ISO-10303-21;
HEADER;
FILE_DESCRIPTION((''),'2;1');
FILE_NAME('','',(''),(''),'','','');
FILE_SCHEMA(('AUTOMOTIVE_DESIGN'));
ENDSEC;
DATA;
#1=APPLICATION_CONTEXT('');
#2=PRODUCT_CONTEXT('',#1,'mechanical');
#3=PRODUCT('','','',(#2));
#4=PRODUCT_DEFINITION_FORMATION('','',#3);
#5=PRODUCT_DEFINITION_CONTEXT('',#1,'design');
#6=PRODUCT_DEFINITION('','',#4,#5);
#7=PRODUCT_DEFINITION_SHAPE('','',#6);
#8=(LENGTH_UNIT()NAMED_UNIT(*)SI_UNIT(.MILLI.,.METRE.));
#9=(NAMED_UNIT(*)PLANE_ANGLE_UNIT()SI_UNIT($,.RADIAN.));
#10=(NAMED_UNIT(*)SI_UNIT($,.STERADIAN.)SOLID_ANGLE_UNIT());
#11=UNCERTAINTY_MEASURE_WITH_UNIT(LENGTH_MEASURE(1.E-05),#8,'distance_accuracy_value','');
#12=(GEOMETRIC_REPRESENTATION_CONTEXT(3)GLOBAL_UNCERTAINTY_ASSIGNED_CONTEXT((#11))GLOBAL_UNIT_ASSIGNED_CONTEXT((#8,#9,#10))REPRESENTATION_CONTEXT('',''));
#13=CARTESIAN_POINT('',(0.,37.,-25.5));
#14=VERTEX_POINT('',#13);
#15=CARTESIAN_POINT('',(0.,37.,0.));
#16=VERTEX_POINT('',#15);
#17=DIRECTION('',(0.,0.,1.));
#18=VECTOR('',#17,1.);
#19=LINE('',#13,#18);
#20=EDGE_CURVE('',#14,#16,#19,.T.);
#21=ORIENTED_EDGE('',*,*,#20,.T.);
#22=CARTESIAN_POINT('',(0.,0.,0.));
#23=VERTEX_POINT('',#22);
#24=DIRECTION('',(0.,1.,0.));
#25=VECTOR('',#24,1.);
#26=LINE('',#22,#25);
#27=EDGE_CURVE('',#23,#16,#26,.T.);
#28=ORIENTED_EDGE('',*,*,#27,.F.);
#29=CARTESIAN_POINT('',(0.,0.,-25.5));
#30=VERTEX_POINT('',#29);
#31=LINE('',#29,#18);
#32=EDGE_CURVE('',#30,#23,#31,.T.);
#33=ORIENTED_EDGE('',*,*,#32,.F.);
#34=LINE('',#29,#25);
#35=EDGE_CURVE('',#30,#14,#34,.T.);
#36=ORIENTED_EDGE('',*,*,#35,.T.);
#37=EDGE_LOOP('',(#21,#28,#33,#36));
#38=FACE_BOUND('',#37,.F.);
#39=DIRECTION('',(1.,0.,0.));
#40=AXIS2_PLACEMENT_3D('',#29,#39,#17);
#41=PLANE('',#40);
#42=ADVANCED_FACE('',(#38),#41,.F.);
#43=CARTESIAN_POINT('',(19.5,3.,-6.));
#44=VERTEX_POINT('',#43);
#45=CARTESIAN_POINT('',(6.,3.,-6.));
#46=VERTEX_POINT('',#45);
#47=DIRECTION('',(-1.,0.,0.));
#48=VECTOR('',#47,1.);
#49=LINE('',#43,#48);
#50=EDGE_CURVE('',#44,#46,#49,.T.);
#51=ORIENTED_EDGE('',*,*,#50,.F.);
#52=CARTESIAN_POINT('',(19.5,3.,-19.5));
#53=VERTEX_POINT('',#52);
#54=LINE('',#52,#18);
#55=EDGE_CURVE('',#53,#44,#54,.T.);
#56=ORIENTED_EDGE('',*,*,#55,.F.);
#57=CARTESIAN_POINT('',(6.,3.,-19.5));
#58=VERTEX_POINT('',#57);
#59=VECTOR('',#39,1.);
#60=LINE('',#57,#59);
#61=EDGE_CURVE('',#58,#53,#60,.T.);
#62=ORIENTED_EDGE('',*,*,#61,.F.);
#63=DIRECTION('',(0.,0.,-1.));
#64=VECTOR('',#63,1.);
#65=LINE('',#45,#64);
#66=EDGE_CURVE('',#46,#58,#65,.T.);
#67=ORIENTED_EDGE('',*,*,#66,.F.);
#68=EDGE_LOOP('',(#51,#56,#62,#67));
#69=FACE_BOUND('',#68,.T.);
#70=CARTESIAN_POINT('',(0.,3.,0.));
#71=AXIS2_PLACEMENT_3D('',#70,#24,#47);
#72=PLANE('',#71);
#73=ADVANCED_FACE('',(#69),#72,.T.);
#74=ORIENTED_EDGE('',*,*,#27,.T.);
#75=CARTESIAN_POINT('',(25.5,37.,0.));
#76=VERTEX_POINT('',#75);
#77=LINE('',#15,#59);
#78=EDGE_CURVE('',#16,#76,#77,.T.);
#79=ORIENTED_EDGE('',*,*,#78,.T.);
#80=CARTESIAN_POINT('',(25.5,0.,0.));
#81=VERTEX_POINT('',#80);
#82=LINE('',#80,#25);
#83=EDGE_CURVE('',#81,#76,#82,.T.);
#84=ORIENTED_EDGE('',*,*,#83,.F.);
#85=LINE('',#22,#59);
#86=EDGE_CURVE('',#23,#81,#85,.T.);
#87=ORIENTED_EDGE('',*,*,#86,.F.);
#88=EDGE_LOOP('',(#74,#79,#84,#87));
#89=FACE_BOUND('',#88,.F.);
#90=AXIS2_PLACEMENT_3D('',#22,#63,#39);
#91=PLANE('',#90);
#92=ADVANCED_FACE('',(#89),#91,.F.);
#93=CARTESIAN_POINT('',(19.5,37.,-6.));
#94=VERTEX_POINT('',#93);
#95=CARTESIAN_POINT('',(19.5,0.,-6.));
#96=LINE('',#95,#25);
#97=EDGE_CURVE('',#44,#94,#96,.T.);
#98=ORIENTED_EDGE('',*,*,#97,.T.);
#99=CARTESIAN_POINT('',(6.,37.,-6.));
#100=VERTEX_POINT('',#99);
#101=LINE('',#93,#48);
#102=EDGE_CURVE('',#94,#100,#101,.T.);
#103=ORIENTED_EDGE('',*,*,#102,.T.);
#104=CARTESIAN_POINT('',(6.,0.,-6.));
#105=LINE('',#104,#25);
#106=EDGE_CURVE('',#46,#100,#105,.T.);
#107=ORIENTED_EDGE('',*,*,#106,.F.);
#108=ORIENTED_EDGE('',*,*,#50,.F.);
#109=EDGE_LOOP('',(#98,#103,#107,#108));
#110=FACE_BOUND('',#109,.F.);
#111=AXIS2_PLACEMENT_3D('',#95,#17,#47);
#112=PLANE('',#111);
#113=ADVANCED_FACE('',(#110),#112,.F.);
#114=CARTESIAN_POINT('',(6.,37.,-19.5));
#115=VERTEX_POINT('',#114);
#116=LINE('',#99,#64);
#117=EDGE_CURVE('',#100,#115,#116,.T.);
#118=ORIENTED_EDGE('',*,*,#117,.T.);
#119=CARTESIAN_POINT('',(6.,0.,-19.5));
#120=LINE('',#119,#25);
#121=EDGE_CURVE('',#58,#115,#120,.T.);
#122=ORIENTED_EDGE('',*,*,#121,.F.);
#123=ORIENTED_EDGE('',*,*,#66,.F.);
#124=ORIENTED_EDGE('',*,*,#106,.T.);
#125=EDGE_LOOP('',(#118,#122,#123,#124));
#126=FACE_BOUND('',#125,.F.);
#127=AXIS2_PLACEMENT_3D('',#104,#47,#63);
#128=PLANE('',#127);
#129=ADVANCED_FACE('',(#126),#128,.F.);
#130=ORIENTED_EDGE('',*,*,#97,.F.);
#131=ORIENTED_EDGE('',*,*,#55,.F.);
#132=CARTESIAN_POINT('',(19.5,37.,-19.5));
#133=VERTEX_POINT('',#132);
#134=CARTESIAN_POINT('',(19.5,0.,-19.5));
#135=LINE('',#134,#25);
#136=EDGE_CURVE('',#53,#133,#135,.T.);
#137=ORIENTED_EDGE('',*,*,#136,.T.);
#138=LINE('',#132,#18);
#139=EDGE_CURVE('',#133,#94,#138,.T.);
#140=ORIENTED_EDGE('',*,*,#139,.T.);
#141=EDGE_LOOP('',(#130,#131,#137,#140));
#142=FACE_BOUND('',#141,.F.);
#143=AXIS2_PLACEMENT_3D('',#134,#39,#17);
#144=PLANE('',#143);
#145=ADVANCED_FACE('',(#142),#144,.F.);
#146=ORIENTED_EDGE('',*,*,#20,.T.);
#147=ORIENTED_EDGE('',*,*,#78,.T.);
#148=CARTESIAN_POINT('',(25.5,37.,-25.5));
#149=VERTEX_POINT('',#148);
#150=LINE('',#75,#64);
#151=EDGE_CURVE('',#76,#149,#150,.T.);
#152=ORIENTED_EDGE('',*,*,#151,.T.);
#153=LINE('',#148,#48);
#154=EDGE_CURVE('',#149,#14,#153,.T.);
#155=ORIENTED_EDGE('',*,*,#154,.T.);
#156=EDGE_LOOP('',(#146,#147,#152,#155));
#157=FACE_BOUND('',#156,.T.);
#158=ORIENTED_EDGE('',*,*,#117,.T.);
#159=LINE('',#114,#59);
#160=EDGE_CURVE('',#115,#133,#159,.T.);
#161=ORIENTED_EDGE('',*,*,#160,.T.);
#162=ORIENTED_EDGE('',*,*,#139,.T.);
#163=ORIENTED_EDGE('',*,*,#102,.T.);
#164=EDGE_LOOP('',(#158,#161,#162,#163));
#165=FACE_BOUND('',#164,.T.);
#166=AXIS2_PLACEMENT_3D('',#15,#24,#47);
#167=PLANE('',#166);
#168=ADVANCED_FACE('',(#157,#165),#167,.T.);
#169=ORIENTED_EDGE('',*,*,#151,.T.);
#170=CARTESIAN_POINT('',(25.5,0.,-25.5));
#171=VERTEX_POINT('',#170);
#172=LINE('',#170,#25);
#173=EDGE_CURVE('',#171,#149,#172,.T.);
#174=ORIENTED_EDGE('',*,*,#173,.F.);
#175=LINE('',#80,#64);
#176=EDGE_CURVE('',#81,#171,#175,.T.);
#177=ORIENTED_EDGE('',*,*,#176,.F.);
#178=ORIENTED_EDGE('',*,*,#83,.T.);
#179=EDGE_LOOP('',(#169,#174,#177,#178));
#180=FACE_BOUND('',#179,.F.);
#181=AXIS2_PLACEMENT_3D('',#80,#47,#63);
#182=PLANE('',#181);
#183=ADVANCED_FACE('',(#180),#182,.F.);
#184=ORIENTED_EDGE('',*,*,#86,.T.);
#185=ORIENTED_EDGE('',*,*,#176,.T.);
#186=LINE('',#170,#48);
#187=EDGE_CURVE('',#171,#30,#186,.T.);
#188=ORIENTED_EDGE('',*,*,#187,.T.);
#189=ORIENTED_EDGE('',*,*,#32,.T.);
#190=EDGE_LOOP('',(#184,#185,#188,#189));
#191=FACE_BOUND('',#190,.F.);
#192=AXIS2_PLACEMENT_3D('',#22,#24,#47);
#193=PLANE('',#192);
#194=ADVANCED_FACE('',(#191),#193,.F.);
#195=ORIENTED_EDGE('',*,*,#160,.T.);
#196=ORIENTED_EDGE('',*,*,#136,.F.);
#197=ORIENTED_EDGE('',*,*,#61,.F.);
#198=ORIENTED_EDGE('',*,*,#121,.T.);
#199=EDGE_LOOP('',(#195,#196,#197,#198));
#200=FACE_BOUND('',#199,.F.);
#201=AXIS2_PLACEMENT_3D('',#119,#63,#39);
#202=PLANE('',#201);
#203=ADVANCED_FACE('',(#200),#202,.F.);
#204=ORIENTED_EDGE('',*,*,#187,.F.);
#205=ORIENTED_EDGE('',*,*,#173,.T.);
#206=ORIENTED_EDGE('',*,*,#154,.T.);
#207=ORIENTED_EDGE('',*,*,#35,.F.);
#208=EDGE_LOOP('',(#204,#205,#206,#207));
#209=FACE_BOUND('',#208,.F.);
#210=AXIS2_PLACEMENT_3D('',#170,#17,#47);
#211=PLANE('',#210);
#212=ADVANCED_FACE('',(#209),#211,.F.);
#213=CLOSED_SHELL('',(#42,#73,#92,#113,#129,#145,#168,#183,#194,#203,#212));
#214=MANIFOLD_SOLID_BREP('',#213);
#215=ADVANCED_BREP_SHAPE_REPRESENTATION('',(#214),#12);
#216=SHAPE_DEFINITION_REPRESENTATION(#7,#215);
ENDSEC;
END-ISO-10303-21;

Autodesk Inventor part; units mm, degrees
ref_plane "YZ Plane" through (0, 0, 0) normal (1, 0, 0) x (0, 1, 0)
ref_plane "XZ Plane" through (0, 0, 0) normal (0, 1, 0) x (-1, 0, 0)
ref_plane "XY Plane" through (0, 0, 0) normal (0, 0, 1) x (1, 0, 0)
sketch "Esboço1" plane through (0, 0, 0) normal (0, 1, 0) x (-1, 0, 0)
  line L0 (0, 0) -> (-25.5, 0)
  line L1 (-25.5, 0) -> (-25.5, -25.5)
  line L2 (-25.5, -25.5) -> (0, -25.5)
  line L3 (0, -25.5) -> (0, 0)
  line L4 (-6, -19.5) -> (-19.5, -19.5)
  line L5 (-19.5, -19.5) -> (-19.5, -6)
  line L6 (-19.5, -6) -> (-6, -6)
  line L7 (-6, -6) -> (-6, -19.5)
  point P0 (-25.5, -12.75)
  point P1 (-19.5, -12.75)
  point P2 (-12.75, 0)
  point P3 (-12.75, -6)
  point P4 (-6, -12.75)
  dimension "d0" = 6
  dimension "d1" = 6
  dimension "d2" = 6
  dimension "d3" = 6
  dimension "d4" = 13.5
  dimension "d5" = 13.5
extrude "Extrusão1" add sketch "Esboço1" along normal blind 3 contours L4 L5 L6 L7
extrude "Extrusão2" add sketch "Esboço1" along normal blind 37
properties part number "Tampa_fotometro_3DPrint"
